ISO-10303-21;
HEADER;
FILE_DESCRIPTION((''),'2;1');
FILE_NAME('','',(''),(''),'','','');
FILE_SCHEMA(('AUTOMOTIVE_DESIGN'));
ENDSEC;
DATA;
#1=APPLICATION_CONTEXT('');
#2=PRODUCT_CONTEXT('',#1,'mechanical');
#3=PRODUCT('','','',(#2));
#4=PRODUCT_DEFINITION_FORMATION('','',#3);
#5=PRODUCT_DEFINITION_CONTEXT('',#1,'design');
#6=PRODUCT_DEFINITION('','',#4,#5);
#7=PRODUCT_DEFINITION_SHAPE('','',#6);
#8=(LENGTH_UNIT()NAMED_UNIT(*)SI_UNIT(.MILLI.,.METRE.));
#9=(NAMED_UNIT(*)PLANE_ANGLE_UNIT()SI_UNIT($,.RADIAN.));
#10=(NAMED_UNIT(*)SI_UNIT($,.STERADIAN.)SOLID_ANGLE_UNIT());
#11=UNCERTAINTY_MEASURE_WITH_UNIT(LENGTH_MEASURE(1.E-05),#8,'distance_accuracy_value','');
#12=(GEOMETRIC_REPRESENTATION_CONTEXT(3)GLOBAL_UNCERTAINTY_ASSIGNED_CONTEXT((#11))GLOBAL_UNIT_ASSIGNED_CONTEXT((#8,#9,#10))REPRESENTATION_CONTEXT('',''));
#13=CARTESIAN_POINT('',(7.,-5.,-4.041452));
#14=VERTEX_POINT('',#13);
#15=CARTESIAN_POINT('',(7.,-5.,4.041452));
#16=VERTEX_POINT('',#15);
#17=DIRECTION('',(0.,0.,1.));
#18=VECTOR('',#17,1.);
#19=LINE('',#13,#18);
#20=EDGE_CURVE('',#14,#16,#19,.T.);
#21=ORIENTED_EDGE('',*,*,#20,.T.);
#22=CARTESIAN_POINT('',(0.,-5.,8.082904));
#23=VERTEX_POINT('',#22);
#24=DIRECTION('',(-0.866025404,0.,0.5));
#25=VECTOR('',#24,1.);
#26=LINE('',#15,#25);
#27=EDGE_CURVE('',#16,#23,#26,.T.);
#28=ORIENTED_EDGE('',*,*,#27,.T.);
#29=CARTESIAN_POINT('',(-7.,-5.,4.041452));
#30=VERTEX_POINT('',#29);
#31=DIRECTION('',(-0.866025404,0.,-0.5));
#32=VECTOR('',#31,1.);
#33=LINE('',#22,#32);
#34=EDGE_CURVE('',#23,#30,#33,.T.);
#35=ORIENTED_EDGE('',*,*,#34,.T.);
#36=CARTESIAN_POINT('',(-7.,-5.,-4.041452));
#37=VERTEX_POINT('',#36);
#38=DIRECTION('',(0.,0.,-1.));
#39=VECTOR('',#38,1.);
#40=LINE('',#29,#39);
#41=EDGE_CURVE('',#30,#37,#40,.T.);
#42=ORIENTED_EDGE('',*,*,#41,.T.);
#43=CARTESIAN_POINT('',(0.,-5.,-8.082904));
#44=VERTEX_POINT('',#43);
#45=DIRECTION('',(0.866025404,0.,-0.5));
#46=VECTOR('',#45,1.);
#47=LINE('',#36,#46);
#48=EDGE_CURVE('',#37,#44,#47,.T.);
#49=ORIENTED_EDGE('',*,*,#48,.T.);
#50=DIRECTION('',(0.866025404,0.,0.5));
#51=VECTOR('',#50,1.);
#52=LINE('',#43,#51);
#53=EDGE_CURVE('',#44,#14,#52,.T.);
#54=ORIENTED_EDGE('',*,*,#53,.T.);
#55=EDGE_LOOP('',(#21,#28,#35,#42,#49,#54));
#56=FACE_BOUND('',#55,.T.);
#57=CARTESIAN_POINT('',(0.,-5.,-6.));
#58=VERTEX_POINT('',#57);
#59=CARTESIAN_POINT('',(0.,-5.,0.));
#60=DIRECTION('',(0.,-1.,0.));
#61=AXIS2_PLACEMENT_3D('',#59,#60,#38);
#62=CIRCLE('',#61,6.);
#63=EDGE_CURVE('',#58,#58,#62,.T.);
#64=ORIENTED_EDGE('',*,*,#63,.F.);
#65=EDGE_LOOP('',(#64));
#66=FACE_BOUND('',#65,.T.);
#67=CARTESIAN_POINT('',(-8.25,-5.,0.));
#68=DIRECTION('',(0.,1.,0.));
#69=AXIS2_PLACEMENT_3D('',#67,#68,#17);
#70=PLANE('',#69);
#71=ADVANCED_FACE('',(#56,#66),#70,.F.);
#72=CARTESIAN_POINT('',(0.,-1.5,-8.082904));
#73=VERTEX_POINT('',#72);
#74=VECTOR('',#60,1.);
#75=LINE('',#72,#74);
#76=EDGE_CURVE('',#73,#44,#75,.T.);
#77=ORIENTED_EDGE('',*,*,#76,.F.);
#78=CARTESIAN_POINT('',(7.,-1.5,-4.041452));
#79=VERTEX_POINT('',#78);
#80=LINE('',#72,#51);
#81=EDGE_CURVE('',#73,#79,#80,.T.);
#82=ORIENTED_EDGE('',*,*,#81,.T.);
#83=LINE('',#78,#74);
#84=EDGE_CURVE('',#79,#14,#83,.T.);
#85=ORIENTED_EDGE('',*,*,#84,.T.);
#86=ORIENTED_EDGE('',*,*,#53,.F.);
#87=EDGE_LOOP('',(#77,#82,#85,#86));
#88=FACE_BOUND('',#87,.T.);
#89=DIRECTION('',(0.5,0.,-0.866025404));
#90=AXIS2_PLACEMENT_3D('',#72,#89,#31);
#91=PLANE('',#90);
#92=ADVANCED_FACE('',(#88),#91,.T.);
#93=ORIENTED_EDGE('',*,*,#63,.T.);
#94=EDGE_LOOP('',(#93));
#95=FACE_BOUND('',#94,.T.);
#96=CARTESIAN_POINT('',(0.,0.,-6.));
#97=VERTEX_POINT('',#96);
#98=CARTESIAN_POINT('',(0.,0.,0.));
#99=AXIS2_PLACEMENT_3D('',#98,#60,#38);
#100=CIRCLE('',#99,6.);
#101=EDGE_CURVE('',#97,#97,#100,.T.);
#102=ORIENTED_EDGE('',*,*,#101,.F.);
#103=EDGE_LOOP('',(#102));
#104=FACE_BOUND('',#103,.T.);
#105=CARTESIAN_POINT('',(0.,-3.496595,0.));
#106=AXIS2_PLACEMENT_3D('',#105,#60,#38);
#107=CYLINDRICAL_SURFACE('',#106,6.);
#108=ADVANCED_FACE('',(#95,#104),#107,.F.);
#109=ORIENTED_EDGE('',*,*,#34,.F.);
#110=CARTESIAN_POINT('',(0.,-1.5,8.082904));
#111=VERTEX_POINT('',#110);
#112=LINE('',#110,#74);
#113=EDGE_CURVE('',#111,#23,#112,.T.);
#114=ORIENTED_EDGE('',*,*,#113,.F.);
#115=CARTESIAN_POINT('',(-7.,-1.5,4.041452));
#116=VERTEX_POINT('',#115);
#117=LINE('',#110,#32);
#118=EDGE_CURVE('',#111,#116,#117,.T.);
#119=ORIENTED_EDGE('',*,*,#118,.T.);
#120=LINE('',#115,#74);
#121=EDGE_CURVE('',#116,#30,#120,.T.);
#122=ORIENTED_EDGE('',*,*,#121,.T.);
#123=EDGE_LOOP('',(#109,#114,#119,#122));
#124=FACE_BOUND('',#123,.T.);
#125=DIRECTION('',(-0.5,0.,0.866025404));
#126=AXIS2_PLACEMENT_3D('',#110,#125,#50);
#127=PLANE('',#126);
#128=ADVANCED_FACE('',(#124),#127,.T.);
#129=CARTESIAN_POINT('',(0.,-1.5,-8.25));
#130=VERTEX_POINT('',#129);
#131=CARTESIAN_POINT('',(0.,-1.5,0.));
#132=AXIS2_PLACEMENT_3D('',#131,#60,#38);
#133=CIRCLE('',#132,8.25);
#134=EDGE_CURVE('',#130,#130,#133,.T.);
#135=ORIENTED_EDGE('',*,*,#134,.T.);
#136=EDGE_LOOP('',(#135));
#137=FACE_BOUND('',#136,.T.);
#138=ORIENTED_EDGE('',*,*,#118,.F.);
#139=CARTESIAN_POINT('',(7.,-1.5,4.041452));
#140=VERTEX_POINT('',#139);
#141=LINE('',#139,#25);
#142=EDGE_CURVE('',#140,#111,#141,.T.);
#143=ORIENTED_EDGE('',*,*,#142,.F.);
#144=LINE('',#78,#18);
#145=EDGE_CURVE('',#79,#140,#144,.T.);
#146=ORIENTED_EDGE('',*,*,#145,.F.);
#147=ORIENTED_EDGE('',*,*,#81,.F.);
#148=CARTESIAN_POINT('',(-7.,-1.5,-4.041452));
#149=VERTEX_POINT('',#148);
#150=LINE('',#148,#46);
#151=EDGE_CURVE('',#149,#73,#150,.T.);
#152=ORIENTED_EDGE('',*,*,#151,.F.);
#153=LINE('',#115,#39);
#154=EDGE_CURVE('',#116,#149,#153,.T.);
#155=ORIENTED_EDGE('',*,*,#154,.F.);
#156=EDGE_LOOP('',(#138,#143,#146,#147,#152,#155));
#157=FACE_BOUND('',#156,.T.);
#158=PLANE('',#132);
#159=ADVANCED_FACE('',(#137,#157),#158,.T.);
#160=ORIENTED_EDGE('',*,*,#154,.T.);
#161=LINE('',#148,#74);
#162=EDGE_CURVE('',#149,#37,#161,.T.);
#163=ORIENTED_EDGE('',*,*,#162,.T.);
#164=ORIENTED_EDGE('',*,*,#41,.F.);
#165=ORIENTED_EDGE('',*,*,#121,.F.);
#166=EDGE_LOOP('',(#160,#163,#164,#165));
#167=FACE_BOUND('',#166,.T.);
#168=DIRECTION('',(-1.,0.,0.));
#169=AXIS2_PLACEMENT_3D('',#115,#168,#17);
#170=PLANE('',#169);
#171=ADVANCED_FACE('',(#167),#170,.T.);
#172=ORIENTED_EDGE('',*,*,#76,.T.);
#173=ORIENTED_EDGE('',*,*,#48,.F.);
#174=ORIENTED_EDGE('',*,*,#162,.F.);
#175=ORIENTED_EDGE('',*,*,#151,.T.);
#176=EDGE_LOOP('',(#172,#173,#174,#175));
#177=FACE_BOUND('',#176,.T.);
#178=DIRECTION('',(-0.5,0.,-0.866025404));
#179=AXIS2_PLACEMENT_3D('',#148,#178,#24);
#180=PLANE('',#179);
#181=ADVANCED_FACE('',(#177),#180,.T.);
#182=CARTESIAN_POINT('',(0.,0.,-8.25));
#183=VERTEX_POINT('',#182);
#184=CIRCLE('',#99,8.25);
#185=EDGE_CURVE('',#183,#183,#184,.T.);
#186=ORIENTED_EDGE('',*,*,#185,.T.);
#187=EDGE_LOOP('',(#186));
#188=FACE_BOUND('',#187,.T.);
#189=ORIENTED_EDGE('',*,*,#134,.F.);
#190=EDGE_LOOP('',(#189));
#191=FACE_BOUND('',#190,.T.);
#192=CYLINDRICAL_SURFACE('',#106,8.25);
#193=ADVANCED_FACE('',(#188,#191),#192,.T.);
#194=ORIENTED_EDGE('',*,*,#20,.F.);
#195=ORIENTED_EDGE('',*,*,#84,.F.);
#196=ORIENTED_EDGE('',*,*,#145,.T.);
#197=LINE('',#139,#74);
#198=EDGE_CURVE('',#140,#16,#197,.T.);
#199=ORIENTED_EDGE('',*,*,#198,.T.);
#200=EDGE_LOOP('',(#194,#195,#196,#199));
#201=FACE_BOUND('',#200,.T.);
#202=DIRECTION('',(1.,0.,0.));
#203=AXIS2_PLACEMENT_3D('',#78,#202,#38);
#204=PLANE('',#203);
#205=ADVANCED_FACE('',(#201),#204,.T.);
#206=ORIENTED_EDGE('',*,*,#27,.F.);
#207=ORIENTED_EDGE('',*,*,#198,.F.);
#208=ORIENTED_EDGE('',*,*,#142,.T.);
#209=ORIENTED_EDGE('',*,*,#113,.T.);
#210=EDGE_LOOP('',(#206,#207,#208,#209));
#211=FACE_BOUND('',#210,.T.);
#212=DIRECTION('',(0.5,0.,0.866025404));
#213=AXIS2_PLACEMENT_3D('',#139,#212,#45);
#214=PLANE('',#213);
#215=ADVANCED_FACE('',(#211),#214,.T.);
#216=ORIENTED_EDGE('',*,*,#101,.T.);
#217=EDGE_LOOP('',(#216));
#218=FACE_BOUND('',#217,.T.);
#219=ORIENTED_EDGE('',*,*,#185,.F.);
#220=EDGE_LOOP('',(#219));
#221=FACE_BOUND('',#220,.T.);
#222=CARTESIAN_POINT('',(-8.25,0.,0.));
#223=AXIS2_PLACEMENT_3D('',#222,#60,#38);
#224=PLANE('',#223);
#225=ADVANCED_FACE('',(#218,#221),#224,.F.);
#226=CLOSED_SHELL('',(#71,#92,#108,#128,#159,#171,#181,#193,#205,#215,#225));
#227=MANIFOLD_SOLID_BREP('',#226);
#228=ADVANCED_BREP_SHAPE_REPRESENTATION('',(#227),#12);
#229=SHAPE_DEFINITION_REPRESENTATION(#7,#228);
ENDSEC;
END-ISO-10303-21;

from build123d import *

# Parameters (mm, degrees)
SKETCH1_W          = 2.25
SKETCH1_H          = 5
SKETCH2_R          = 8.25
CUT_EXTRUDE1_DEPTH = 3.5


with BuildPart() as part:
    # Sketch1 → Revolve1 (revolve)
    with BuildSketch(Plane.XY):
        with Locations((-7.125, -2.5)):
            Rectangle(SKETCH1_W, SKETCH1_H)
    revolve(axis=Axis((0, -3.49659483, 0), (0, 1, 0)))

    # Sketch2 → Cut-Extrude1 (cut)
    with BuildSketch(Plane.XZ.offset(5)):
        Circle(SKETCH2_R)
        Polygon((0, 8.082903769), (-7, 4.041451884), (-7, -4.041451884), (0, -8.082903769), (7, -4.041451884), (7, 4.041451884), align=None, mode=Mode.SUBTRACT)
    extrude(amount=-CUT_EXTRUDE1_DEPTH, mode=Mode.SUBTRACT)


solid = part.part
